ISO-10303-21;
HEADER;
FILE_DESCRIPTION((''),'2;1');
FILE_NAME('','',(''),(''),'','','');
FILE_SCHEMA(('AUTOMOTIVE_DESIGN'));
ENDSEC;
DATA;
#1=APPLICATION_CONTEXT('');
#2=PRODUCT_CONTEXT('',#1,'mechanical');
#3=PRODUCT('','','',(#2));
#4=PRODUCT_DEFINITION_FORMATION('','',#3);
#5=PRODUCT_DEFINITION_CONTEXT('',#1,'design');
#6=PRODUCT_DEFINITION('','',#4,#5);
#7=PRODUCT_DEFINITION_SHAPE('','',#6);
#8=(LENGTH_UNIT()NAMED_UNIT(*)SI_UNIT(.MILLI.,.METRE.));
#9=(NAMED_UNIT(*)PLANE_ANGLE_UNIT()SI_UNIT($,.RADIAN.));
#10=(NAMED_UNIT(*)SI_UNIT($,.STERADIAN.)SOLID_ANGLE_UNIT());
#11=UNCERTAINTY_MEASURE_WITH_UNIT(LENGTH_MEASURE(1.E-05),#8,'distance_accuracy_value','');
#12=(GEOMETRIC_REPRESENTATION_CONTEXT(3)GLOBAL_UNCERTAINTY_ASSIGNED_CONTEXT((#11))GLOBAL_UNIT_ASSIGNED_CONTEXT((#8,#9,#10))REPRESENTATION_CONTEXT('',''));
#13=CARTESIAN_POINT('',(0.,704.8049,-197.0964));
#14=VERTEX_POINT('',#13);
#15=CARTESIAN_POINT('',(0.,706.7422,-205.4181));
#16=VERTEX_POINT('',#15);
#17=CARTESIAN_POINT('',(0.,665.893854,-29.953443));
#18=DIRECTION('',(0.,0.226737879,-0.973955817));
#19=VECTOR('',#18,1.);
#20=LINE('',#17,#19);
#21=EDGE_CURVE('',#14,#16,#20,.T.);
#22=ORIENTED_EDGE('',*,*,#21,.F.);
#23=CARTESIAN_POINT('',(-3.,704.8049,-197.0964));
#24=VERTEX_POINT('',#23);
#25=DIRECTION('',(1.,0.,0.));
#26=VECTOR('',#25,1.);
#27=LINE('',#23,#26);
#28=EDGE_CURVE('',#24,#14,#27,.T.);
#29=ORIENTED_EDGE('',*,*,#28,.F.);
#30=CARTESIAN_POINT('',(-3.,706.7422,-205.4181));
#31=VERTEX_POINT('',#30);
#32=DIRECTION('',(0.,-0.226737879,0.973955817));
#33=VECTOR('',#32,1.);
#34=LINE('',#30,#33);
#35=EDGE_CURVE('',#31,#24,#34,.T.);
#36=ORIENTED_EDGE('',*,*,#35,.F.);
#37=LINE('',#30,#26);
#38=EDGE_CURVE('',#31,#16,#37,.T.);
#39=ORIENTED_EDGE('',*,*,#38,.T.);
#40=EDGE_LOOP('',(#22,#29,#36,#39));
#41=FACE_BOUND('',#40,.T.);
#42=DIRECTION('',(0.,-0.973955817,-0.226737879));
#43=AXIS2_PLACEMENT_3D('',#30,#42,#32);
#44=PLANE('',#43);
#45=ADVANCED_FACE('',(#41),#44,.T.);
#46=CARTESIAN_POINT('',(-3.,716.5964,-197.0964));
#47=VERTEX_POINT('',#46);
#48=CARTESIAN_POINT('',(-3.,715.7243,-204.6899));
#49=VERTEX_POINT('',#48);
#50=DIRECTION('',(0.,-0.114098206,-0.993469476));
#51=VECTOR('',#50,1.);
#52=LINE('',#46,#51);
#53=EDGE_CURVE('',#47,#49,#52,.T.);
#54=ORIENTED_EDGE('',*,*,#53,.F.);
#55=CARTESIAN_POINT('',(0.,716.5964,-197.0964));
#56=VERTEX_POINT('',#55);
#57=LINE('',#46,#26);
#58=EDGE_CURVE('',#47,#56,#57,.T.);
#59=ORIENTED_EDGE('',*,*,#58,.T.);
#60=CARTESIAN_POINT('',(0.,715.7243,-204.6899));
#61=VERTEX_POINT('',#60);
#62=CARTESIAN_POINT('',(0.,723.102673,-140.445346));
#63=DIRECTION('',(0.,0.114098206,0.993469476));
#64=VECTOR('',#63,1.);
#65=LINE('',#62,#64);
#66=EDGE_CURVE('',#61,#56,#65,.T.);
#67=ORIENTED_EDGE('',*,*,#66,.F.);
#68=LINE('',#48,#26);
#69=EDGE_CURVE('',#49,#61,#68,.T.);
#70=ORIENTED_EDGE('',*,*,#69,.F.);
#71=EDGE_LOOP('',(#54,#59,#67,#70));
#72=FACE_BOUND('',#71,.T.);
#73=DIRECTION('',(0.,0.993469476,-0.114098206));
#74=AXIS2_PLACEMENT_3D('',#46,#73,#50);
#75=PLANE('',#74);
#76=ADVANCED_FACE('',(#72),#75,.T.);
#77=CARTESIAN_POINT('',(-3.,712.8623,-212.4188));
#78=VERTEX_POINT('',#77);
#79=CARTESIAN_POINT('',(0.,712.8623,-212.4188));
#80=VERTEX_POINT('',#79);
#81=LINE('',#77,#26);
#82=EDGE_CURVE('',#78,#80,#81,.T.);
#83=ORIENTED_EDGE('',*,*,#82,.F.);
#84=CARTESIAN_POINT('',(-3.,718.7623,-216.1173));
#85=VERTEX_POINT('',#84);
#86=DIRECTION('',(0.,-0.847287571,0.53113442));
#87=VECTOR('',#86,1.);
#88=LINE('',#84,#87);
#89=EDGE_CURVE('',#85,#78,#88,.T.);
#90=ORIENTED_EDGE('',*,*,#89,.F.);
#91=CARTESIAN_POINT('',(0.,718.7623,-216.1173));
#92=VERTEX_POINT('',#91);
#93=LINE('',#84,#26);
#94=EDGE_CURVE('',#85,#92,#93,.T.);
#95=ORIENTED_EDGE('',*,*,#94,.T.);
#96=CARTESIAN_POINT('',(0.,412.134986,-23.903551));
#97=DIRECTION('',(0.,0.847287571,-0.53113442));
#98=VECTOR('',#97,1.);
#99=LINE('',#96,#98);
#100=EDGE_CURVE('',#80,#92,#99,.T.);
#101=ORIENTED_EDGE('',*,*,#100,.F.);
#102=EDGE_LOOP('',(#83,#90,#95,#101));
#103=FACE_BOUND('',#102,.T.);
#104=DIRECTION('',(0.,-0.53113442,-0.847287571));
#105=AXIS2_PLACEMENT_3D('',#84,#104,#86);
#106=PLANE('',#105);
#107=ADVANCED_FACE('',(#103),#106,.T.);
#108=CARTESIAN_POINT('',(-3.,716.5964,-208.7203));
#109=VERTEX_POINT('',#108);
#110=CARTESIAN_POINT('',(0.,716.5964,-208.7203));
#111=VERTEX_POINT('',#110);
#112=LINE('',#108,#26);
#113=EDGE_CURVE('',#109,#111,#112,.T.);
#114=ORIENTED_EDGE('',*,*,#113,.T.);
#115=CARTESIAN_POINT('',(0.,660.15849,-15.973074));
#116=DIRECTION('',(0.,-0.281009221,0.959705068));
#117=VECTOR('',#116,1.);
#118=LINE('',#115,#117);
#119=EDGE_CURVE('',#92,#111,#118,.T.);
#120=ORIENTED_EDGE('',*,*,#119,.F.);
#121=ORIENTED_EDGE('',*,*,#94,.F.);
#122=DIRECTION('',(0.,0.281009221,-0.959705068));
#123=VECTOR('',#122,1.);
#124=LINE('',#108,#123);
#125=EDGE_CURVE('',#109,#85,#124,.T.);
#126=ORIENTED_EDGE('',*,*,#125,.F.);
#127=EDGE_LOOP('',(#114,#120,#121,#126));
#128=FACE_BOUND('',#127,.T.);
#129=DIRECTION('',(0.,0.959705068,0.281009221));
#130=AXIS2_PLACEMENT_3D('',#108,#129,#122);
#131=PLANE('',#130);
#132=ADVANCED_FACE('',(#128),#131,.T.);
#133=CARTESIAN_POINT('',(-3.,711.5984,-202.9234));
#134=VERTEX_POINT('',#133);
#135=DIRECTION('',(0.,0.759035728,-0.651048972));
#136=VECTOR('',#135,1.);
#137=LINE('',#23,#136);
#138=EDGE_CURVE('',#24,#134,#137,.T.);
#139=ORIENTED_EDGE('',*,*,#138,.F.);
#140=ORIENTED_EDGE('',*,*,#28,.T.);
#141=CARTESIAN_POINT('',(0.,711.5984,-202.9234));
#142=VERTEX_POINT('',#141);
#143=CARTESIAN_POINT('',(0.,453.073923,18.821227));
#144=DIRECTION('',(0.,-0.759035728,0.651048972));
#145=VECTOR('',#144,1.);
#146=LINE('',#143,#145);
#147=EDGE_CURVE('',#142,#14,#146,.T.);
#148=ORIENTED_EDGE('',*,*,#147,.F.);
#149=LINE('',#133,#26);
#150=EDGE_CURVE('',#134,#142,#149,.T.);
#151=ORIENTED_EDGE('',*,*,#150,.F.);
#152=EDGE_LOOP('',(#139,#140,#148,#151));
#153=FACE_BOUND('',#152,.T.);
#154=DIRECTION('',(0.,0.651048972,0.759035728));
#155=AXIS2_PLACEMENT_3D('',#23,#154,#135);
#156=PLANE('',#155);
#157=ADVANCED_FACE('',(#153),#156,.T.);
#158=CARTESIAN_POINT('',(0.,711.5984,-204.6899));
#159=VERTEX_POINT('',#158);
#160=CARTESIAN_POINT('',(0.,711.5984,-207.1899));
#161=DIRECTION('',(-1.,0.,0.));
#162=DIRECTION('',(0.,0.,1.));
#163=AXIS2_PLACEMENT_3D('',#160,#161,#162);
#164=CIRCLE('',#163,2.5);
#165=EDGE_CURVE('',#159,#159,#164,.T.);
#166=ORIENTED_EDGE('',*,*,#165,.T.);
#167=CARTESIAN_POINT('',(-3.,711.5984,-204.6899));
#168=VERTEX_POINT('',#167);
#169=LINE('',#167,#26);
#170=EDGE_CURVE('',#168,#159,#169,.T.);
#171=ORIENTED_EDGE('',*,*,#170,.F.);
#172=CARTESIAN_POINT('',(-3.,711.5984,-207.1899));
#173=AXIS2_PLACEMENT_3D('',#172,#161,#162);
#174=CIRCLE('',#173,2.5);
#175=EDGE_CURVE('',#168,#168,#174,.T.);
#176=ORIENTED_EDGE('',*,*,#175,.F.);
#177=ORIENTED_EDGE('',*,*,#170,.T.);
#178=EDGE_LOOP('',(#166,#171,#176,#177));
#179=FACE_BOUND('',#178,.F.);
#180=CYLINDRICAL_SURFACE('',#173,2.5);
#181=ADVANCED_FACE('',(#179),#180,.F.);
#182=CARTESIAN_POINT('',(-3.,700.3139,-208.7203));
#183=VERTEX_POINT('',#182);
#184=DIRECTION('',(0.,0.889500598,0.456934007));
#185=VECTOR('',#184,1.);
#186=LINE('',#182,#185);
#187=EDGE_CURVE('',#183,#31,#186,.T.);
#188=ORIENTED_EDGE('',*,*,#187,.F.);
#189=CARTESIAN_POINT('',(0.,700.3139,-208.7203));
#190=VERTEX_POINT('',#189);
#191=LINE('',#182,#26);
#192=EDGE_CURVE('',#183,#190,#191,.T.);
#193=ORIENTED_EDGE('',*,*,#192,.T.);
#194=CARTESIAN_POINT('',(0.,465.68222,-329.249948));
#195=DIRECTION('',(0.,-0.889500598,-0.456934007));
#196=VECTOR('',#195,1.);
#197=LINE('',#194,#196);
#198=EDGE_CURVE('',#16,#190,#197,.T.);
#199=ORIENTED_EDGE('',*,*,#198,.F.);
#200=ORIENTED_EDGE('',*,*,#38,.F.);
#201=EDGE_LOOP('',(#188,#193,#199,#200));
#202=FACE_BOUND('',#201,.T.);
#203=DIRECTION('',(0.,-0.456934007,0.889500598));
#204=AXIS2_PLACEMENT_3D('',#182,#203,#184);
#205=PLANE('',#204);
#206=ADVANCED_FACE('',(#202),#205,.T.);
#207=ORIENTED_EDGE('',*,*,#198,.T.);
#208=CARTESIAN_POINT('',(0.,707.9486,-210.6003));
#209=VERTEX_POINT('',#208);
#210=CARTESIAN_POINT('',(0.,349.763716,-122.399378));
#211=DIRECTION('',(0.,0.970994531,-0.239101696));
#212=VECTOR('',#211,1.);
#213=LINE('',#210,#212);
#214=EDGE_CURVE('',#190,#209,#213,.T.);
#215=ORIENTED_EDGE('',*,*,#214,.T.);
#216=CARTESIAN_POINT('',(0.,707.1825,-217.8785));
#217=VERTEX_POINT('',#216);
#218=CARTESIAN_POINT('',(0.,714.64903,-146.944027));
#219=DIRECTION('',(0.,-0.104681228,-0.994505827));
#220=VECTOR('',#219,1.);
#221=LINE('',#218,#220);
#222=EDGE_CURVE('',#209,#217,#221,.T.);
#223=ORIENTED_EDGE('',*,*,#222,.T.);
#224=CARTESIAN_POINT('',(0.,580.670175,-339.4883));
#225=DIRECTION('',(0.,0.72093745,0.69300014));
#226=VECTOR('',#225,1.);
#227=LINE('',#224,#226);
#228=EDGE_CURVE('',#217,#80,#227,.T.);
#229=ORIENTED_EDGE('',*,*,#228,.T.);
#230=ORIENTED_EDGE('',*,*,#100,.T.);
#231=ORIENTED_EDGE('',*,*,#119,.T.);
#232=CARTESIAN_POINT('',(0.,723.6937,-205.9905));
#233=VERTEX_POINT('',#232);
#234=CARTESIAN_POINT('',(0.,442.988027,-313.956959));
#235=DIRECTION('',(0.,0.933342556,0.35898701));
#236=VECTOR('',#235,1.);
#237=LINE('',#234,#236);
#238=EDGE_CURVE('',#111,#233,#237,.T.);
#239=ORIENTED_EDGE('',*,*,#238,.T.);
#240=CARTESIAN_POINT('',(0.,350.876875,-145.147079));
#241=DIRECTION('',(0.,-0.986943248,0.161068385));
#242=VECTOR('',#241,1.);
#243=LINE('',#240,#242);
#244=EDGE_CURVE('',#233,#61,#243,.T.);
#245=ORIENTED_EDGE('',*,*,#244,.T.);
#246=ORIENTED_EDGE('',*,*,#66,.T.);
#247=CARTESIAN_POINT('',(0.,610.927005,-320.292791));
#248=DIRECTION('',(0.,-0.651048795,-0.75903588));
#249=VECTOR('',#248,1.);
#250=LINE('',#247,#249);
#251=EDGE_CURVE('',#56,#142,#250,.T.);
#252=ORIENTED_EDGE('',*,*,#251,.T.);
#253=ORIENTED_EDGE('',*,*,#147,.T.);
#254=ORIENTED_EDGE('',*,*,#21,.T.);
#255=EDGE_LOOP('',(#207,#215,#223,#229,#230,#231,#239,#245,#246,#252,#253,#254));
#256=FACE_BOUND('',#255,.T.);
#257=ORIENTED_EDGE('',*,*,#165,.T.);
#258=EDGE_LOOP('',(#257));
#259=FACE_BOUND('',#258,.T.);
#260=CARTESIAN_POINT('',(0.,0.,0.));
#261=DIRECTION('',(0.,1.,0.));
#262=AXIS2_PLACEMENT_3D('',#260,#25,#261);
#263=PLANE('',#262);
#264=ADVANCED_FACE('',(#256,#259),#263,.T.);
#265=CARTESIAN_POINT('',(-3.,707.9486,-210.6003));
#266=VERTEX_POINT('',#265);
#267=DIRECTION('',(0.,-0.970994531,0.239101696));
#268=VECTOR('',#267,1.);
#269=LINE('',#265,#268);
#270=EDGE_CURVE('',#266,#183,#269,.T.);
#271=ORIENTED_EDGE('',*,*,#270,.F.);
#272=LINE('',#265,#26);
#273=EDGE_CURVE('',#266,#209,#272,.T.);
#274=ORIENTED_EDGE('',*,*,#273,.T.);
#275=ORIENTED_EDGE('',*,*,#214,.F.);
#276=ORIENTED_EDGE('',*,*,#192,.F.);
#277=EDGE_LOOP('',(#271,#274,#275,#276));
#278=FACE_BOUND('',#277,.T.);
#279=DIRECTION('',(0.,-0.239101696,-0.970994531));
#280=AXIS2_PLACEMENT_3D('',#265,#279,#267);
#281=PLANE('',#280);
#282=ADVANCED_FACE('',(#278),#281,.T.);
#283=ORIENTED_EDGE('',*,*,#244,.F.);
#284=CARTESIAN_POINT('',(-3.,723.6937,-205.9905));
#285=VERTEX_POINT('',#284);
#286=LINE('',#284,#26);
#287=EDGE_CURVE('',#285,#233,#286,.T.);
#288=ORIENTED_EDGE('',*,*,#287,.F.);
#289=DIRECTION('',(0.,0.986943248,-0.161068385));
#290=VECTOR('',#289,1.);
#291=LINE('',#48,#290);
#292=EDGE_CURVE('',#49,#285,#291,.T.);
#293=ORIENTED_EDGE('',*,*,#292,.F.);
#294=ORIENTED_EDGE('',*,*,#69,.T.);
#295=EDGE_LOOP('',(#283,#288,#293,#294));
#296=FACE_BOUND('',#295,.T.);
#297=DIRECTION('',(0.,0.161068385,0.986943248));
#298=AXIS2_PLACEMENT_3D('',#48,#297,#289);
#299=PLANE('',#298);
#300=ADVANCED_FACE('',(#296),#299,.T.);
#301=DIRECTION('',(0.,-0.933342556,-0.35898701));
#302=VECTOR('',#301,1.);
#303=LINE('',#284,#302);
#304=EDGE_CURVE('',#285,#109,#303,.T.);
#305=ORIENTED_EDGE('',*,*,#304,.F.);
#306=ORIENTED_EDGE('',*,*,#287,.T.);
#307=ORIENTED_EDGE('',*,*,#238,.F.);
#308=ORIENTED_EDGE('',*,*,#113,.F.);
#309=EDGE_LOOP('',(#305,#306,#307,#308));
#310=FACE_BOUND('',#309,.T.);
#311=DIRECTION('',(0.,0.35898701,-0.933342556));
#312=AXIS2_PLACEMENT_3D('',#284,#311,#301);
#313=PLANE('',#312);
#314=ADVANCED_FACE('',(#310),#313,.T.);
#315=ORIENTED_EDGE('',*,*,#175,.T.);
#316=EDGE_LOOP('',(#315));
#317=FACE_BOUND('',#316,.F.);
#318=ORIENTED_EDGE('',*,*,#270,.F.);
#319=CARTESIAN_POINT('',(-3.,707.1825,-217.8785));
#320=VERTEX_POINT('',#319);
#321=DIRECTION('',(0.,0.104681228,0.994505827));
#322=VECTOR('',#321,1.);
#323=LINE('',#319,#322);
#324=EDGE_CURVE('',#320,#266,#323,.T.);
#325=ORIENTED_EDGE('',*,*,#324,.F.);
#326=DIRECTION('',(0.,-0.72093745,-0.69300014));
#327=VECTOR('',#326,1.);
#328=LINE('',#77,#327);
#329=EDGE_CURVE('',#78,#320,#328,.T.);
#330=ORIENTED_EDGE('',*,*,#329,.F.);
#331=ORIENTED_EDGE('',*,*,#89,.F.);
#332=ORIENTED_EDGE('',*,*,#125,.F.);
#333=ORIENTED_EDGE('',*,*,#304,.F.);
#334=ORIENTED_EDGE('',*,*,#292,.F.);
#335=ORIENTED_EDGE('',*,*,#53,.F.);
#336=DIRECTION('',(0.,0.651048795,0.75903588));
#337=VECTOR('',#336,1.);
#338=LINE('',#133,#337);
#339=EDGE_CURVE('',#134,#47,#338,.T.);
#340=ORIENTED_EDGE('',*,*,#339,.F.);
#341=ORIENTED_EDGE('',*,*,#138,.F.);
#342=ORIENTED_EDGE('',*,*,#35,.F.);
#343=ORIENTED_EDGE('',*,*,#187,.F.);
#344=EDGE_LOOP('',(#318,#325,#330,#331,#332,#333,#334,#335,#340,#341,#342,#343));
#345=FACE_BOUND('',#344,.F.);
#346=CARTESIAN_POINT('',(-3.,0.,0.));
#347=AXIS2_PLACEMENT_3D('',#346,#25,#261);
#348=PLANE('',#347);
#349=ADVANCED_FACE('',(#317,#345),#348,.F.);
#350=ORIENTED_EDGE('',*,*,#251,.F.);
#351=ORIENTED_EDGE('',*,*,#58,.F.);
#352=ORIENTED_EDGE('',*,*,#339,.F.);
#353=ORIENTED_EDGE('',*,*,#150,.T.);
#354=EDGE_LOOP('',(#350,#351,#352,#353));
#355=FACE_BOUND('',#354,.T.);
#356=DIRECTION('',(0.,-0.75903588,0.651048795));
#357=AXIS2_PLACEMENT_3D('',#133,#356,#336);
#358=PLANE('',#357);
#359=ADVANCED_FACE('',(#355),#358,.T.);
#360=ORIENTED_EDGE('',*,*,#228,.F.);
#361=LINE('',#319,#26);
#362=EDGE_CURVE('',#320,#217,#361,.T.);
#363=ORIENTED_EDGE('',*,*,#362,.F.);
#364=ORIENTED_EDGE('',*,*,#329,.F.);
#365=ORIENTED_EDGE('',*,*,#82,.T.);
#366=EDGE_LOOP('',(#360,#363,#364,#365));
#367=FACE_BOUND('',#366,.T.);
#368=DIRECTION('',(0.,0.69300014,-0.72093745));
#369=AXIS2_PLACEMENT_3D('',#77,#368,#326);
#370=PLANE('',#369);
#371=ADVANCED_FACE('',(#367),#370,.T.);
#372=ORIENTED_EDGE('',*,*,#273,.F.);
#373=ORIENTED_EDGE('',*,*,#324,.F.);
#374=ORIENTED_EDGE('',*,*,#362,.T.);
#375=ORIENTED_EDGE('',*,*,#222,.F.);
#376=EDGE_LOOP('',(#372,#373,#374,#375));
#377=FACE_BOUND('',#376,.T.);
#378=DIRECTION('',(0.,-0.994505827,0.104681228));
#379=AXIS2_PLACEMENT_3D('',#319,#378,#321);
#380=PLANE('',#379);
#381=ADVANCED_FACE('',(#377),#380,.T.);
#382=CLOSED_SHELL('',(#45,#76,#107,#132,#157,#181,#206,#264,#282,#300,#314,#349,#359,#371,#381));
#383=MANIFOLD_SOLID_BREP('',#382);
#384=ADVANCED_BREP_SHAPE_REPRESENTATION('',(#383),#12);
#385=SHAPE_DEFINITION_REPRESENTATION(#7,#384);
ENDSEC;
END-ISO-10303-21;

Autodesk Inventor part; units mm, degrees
ref_plane "YZ Plane" through (0, 0, 0) normal (1, 0, 0) x (0, 1, 0)
ref_plane "XZ Plane" through (0, 0, 0) normal (0, 1, 0) x (-1, 0, 0)
ref_plane "XY Plane" through (0, 0, 0) normal (0, 0, 1) x (1, 0, 0)
sketch "Esquisse1" plane through (0, 0, 0) normal (1, 0, 0) x (0, 1, 0)
  line L0 (615.5373, -142.1522) -> (811.8285, -142.1522) construction
  line L1 (811.8285, -142.1522) -> (811.8285, -230.5611) construction
  line L2 (811.8285, -230.5611) -> (615.5373, -230.5611) construction
  line L3 (615.5373, -230.5611) -> (615.5373, -142.1522) construction
  circle A0 centre (714.0804, -164.9097) radius 9.3044
  circle A1 centre (714.0804, -164.9097) radius 12.8446
  arc A2 (718.2667, -201.6616) -> (719.1833, -202.8097) centre (719.23, -201.8325) ccw
  arc A3 (719.6606, -209.9141) -> (719.248, -210.7518) centre (719.7361, -210.4718) ccw
  arc A4 (713.6782, -215.3851) -> (712.2032, -215.3703) centre (712.9331, -216.1323) ccw
  line L4 (711.5826, -198.3788) -> (715.3474, -192.8257)
  line L5 (715.3474, -192.8257) -> (719.8038, -195.0511)
  line L6 (719.8038, -195.0511) -> (718.2667, -201.6616)
  line L7 (719.1833, -202.8097) -> (725.8864, -202.9912)
  line L8 (725.8864, -202.9912) -> (726.1597, -208.1294)
  line L9 (726.1597, -208.1294) -> (719.6606, -209.9141)
  line L10 (719.248, -210.7518) -> (722.051, -216.9958)
  line L11 (722.051, -216.9958) -> (717.7376, -219.4332)
  line L12 (717.7376, -219.4332) -> (713.6782, -215.3851)
  line L13 (712.2032, -215.3703) -> (708.5343, -221.0039)
  line L14 (708.5343, -221.0039) -> (704.0426, -218.7609)
  line L15 (704.0426, -218.7609) -> (705.4927, -212.5247)
  line L16 (704.6548, -211.4369) -> (698.081, -211.076)
  line L17 (698.081, -211.076) -> (698.1175, -205.8223)
  line L18 (698.1175, -205.8223) -> (703.9597, -204.218)
  line L19 (704.461, -202.9923) -> (701.4433, -196.9238)
  line L20 (701.4433, -196.9238) -> (705.5988, -194.2119)
  line L21 (705.5988, -194.2119) -> (709.8549, -198.4562)
  arc A5 (719.8038, -195.0511) -> (715.3474, -192.8257) centre (717.4272, -194.2357) ccw
  arc A6 (726.1597, -208.1294) -> (725.8864, -202.9912) centre (725.4624, -205.5902) ccw
  arc A7 (717.7376, -219.4332) -> (722.051, -216.9958) centre (719.7814, -218.0147) ccw
  arc A8 (704.0426, -218.7609) -> (708.5343, -221.0039) centre (706.417, -219.625) ccw
  arc A9 (698.1175, -205.8223) -> (698.081, -211.076) centre (698.2252, -208.45) ccw
  arc A10 (705.5988, -194.2119) -> (701.4433, -196.9238) centre (703.68, -195.8115) ccw
  arc A11 (709.8549, -198.4562) -> (711.5826, -198.3788) centre (710.6833, -197.6255) ccw
  arc A12 (703.9597, -204.218) -> (704.461, -202.9923) centre (703.6717, -203.3848) ccw
  arc A13 (705.4927, -212.5247) -> (704.6548, -211.4369) centre (704.6286, -212.3238) ccw
  point P0 (0, 0)
extrude "Extrusion1" add sketch "Esquisse1" against normal blind 3 contours A2 L7 L8 L9 A3 L10 L11 L12 A4 L13 L14 L15 A13 L16 L17 L18 A12 L19 L20 L21 A11 L4 L5 L6 | L5 A5 | A6 L8 | L20 A10 | A7 L11 | L17 A9 | A8 L14
sketch "Esquisse17" plane through (-3, 0, 0) normal (-1, 0, 0) x (0, 0, 1)
  circle A0 centre (-207.1899, 711.5984) radius 2.5
  point P0 (0, 0)
  dimension "d66" = 5
extrude "Extrusion11" cut sketch "Esquisse17" against normal blind 10
sketch "Esquisse18" plane through (-3, 0, 0) normal (-1, 0, 0) x (0, 0, 1)
  circle A0 centre (-207.1899, 711.5984) radius 2.5 projected
  line L0 (-208.7203, 700.3139) -> (-205.4181, 706.7422)
  line L1 (-205.4181, 706.7422) -> (-197.0964, 704.8049)
  line L2 (-197.0964, 704.8049) -> (-202.9234, 711.5984)
  line L3 (-202.9234, 711.5984) -> (-197.0964, 716.5964)
  line L4 (-197.0964, 716.5964) -> (-204.6899, 715.7243)
  line L5 (-204.6899, 715.7243) -> (-205.9905, 723.6937)
  line L6 (-205.9905, 723.6937) -> (-208.7203, 716.5964)
  line L7 (-208.7203, 716.5964) -> (-216.1173, 718.7623)
  line L8 (-216.1173, 718.7623) -> (-212.4188, 712.8623)
  line L9 (-212.4188, 712.8623) -> (-217.8785, 707.1825)
  line L10 (-217.8785, 707.1825) -> (-210.6003, 707.9486)
  line L11 (-210.6003, 707.9486) -> (-208.7203, 700.3139)
  circle A1 centre (-207.1899, 711.5984) radius 19.7592
  point P0 (0, 0)
extrude "Extrusion12" cut sketch "Esquisse18" against normal blind 10 contours A1
properties part number "palonnier"
